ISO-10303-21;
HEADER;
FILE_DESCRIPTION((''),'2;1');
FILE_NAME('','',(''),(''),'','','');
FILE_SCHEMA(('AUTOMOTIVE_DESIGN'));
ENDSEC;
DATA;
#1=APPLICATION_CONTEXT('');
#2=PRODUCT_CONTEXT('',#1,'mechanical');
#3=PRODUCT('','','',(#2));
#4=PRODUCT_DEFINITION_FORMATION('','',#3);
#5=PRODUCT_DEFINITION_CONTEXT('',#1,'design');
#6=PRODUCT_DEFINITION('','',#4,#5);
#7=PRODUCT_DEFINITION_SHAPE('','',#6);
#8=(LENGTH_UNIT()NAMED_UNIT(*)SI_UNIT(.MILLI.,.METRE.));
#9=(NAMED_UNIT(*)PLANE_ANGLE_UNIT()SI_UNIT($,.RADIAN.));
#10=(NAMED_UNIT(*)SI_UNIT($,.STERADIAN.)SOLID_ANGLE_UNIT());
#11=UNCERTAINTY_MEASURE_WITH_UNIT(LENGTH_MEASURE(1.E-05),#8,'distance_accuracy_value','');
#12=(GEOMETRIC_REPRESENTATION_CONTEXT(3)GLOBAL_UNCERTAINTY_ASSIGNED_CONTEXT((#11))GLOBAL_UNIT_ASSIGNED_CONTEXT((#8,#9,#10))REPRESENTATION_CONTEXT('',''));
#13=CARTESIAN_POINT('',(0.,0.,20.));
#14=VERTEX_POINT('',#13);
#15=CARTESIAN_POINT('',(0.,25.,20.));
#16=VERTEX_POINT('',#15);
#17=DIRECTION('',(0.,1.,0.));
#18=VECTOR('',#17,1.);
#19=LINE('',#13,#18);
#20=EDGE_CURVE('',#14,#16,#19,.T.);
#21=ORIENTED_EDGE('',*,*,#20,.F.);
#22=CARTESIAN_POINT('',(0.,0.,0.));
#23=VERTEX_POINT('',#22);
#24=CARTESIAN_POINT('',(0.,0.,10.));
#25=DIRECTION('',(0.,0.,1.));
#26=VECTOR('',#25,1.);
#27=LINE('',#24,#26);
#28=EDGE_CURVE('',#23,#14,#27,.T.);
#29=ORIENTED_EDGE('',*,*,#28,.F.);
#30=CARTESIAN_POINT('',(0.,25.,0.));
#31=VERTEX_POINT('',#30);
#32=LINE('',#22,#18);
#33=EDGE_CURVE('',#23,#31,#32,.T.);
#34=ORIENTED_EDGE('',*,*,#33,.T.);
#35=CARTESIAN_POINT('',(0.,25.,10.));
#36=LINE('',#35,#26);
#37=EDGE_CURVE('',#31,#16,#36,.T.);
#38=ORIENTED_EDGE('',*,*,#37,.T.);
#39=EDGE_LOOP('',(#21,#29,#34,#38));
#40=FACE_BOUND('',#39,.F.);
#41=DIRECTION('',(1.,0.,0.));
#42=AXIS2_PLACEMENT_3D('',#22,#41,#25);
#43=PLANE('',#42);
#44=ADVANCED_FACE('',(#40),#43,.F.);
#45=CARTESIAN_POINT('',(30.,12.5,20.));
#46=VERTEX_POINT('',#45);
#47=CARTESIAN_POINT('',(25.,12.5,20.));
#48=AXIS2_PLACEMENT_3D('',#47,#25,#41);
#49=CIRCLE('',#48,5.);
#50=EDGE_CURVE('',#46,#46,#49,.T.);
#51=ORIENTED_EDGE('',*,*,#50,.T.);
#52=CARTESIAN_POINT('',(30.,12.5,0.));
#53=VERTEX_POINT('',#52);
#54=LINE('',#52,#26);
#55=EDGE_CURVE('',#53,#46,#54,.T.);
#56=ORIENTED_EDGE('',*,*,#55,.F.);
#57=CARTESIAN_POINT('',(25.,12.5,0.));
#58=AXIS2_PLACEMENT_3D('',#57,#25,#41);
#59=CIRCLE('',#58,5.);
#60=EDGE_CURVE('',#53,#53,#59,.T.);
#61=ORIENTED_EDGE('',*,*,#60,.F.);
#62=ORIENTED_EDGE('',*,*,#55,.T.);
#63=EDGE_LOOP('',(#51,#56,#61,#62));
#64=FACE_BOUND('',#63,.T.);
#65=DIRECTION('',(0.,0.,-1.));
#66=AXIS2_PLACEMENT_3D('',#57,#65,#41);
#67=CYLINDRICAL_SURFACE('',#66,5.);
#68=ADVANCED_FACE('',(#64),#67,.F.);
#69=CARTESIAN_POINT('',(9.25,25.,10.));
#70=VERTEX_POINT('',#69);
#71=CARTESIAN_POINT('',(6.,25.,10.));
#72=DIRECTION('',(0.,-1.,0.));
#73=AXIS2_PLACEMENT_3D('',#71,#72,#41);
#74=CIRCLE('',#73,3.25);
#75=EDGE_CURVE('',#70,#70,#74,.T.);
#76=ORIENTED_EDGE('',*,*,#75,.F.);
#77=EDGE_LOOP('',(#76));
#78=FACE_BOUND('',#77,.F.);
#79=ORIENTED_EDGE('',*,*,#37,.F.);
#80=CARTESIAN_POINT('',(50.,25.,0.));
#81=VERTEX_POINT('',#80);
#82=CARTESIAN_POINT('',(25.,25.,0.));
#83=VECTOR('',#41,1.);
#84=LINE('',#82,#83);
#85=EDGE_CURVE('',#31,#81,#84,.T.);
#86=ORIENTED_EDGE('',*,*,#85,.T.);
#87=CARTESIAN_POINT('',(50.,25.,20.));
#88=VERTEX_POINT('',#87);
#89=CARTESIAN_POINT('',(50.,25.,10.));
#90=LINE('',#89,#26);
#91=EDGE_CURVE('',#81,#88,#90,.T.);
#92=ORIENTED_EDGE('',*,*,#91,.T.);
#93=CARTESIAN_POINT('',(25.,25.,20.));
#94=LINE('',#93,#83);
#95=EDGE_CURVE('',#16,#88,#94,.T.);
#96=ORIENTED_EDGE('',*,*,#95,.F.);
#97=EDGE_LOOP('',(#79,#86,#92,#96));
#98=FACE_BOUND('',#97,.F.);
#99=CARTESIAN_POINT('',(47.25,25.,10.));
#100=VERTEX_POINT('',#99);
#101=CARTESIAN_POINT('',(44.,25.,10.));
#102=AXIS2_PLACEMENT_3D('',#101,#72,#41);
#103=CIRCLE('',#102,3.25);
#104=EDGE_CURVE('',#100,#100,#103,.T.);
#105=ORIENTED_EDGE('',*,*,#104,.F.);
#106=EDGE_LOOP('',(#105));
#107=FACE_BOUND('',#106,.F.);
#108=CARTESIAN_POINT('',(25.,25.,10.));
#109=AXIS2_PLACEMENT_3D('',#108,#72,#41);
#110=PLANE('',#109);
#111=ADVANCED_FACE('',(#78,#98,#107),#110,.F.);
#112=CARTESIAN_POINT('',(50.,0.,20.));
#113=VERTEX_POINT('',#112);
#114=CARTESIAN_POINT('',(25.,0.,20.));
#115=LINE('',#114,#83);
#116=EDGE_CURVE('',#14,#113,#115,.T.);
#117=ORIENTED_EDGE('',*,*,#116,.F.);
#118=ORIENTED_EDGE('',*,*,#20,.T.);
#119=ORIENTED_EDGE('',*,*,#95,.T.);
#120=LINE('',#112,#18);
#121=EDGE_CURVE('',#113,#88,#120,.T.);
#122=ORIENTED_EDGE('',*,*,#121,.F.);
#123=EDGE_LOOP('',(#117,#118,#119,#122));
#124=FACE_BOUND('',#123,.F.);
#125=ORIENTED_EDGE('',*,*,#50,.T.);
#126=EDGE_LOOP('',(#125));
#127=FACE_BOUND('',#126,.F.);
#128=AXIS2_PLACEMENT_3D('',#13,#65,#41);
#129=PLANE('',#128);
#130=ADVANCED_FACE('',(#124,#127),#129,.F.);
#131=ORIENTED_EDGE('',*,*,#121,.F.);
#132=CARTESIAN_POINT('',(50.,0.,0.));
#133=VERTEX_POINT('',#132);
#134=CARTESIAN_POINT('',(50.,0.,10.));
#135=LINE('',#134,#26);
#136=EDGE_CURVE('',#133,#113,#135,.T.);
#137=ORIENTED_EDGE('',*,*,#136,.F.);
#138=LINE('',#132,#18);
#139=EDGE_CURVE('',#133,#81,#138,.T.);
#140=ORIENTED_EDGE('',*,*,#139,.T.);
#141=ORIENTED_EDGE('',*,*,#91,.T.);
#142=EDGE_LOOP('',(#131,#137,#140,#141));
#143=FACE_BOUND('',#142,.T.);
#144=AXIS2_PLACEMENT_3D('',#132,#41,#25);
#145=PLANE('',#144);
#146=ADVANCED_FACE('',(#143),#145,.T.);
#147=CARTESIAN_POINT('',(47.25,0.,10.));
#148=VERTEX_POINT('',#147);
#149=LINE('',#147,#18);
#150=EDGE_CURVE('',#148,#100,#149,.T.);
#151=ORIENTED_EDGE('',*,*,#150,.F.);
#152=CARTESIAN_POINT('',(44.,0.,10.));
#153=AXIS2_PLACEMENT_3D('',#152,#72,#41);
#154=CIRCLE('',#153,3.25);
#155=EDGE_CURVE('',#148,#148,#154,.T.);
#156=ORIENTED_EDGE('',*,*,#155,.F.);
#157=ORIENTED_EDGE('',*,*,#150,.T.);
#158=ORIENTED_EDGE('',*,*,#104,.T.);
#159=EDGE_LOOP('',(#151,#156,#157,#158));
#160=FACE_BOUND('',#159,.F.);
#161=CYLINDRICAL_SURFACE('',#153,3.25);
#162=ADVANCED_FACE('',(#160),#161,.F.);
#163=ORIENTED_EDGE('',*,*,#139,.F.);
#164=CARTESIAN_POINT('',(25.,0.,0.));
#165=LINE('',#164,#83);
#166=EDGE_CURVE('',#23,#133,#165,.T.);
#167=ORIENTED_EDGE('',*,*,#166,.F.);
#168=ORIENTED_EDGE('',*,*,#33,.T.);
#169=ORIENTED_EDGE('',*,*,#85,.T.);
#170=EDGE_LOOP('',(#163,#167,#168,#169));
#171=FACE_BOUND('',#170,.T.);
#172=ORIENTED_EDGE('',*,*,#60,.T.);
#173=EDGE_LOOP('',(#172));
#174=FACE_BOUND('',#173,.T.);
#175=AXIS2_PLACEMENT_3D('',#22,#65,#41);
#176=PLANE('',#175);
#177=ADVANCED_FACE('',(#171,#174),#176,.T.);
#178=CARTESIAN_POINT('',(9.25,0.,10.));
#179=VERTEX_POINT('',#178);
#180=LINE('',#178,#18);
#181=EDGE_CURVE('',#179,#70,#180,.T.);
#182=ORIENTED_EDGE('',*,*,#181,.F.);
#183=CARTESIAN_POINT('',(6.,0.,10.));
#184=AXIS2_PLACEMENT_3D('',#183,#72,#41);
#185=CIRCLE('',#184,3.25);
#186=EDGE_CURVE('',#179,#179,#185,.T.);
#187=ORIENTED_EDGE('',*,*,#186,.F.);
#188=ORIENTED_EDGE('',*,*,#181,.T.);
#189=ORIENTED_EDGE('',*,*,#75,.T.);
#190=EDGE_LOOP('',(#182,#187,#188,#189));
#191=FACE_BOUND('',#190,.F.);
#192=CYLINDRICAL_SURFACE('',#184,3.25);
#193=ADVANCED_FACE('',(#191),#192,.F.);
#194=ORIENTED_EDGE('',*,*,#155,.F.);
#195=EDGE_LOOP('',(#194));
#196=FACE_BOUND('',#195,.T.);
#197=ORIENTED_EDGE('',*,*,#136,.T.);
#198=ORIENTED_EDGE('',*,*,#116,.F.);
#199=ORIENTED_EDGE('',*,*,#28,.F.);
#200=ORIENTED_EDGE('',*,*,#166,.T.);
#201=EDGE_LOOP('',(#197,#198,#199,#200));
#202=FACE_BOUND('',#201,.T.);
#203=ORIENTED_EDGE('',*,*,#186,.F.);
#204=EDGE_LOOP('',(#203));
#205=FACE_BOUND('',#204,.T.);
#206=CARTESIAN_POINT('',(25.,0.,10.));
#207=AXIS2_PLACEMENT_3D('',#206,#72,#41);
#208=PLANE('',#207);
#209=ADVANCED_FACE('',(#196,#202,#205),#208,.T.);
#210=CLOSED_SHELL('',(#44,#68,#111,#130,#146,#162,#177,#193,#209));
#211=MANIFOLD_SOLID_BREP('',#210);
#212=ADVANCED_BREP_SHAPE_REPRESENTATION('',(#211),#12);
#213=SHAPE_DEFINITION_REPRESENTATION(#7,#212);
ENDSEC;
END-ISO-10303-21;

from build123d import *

# Parameters (mm, degrees)
F0_W     = 50
F0_H     = 20
F0_R     = 3.25
F1_DEPTH = 25
F2_R     = 5
F3_DEPTH = 20


with BuildPart() as f1:
    # F0 (on Front) → F1 (new body)
    with BuildSketch(Plane.XZ):
        with Locations((25, 10)):
            Rectangle(F0_W, F0_H)
        with Locations((6, 10)):
            Circle(F0_R, mode=Mode.SUBTRACT)
        with Locations((44, 10)):
            Circle(F0_R, mode=Mode.SUBTRACT)
    extrude(amount=-F1_DEPTH)


with BuildPart() as f3:
    # F2 (on Top) → F3 (new body)
    with BuildSketch(Plane.XY):
        with Locations((25, 12.5)):
            Circle(F2_R)
    extrude(amount=F3_DEPTH)


with BuildPart() as f1_1:
    add(f1.part)

    # F4: cut F3
    add(f3.part, mode=Mode.SUBTRACT)


solid = f1_1.part
